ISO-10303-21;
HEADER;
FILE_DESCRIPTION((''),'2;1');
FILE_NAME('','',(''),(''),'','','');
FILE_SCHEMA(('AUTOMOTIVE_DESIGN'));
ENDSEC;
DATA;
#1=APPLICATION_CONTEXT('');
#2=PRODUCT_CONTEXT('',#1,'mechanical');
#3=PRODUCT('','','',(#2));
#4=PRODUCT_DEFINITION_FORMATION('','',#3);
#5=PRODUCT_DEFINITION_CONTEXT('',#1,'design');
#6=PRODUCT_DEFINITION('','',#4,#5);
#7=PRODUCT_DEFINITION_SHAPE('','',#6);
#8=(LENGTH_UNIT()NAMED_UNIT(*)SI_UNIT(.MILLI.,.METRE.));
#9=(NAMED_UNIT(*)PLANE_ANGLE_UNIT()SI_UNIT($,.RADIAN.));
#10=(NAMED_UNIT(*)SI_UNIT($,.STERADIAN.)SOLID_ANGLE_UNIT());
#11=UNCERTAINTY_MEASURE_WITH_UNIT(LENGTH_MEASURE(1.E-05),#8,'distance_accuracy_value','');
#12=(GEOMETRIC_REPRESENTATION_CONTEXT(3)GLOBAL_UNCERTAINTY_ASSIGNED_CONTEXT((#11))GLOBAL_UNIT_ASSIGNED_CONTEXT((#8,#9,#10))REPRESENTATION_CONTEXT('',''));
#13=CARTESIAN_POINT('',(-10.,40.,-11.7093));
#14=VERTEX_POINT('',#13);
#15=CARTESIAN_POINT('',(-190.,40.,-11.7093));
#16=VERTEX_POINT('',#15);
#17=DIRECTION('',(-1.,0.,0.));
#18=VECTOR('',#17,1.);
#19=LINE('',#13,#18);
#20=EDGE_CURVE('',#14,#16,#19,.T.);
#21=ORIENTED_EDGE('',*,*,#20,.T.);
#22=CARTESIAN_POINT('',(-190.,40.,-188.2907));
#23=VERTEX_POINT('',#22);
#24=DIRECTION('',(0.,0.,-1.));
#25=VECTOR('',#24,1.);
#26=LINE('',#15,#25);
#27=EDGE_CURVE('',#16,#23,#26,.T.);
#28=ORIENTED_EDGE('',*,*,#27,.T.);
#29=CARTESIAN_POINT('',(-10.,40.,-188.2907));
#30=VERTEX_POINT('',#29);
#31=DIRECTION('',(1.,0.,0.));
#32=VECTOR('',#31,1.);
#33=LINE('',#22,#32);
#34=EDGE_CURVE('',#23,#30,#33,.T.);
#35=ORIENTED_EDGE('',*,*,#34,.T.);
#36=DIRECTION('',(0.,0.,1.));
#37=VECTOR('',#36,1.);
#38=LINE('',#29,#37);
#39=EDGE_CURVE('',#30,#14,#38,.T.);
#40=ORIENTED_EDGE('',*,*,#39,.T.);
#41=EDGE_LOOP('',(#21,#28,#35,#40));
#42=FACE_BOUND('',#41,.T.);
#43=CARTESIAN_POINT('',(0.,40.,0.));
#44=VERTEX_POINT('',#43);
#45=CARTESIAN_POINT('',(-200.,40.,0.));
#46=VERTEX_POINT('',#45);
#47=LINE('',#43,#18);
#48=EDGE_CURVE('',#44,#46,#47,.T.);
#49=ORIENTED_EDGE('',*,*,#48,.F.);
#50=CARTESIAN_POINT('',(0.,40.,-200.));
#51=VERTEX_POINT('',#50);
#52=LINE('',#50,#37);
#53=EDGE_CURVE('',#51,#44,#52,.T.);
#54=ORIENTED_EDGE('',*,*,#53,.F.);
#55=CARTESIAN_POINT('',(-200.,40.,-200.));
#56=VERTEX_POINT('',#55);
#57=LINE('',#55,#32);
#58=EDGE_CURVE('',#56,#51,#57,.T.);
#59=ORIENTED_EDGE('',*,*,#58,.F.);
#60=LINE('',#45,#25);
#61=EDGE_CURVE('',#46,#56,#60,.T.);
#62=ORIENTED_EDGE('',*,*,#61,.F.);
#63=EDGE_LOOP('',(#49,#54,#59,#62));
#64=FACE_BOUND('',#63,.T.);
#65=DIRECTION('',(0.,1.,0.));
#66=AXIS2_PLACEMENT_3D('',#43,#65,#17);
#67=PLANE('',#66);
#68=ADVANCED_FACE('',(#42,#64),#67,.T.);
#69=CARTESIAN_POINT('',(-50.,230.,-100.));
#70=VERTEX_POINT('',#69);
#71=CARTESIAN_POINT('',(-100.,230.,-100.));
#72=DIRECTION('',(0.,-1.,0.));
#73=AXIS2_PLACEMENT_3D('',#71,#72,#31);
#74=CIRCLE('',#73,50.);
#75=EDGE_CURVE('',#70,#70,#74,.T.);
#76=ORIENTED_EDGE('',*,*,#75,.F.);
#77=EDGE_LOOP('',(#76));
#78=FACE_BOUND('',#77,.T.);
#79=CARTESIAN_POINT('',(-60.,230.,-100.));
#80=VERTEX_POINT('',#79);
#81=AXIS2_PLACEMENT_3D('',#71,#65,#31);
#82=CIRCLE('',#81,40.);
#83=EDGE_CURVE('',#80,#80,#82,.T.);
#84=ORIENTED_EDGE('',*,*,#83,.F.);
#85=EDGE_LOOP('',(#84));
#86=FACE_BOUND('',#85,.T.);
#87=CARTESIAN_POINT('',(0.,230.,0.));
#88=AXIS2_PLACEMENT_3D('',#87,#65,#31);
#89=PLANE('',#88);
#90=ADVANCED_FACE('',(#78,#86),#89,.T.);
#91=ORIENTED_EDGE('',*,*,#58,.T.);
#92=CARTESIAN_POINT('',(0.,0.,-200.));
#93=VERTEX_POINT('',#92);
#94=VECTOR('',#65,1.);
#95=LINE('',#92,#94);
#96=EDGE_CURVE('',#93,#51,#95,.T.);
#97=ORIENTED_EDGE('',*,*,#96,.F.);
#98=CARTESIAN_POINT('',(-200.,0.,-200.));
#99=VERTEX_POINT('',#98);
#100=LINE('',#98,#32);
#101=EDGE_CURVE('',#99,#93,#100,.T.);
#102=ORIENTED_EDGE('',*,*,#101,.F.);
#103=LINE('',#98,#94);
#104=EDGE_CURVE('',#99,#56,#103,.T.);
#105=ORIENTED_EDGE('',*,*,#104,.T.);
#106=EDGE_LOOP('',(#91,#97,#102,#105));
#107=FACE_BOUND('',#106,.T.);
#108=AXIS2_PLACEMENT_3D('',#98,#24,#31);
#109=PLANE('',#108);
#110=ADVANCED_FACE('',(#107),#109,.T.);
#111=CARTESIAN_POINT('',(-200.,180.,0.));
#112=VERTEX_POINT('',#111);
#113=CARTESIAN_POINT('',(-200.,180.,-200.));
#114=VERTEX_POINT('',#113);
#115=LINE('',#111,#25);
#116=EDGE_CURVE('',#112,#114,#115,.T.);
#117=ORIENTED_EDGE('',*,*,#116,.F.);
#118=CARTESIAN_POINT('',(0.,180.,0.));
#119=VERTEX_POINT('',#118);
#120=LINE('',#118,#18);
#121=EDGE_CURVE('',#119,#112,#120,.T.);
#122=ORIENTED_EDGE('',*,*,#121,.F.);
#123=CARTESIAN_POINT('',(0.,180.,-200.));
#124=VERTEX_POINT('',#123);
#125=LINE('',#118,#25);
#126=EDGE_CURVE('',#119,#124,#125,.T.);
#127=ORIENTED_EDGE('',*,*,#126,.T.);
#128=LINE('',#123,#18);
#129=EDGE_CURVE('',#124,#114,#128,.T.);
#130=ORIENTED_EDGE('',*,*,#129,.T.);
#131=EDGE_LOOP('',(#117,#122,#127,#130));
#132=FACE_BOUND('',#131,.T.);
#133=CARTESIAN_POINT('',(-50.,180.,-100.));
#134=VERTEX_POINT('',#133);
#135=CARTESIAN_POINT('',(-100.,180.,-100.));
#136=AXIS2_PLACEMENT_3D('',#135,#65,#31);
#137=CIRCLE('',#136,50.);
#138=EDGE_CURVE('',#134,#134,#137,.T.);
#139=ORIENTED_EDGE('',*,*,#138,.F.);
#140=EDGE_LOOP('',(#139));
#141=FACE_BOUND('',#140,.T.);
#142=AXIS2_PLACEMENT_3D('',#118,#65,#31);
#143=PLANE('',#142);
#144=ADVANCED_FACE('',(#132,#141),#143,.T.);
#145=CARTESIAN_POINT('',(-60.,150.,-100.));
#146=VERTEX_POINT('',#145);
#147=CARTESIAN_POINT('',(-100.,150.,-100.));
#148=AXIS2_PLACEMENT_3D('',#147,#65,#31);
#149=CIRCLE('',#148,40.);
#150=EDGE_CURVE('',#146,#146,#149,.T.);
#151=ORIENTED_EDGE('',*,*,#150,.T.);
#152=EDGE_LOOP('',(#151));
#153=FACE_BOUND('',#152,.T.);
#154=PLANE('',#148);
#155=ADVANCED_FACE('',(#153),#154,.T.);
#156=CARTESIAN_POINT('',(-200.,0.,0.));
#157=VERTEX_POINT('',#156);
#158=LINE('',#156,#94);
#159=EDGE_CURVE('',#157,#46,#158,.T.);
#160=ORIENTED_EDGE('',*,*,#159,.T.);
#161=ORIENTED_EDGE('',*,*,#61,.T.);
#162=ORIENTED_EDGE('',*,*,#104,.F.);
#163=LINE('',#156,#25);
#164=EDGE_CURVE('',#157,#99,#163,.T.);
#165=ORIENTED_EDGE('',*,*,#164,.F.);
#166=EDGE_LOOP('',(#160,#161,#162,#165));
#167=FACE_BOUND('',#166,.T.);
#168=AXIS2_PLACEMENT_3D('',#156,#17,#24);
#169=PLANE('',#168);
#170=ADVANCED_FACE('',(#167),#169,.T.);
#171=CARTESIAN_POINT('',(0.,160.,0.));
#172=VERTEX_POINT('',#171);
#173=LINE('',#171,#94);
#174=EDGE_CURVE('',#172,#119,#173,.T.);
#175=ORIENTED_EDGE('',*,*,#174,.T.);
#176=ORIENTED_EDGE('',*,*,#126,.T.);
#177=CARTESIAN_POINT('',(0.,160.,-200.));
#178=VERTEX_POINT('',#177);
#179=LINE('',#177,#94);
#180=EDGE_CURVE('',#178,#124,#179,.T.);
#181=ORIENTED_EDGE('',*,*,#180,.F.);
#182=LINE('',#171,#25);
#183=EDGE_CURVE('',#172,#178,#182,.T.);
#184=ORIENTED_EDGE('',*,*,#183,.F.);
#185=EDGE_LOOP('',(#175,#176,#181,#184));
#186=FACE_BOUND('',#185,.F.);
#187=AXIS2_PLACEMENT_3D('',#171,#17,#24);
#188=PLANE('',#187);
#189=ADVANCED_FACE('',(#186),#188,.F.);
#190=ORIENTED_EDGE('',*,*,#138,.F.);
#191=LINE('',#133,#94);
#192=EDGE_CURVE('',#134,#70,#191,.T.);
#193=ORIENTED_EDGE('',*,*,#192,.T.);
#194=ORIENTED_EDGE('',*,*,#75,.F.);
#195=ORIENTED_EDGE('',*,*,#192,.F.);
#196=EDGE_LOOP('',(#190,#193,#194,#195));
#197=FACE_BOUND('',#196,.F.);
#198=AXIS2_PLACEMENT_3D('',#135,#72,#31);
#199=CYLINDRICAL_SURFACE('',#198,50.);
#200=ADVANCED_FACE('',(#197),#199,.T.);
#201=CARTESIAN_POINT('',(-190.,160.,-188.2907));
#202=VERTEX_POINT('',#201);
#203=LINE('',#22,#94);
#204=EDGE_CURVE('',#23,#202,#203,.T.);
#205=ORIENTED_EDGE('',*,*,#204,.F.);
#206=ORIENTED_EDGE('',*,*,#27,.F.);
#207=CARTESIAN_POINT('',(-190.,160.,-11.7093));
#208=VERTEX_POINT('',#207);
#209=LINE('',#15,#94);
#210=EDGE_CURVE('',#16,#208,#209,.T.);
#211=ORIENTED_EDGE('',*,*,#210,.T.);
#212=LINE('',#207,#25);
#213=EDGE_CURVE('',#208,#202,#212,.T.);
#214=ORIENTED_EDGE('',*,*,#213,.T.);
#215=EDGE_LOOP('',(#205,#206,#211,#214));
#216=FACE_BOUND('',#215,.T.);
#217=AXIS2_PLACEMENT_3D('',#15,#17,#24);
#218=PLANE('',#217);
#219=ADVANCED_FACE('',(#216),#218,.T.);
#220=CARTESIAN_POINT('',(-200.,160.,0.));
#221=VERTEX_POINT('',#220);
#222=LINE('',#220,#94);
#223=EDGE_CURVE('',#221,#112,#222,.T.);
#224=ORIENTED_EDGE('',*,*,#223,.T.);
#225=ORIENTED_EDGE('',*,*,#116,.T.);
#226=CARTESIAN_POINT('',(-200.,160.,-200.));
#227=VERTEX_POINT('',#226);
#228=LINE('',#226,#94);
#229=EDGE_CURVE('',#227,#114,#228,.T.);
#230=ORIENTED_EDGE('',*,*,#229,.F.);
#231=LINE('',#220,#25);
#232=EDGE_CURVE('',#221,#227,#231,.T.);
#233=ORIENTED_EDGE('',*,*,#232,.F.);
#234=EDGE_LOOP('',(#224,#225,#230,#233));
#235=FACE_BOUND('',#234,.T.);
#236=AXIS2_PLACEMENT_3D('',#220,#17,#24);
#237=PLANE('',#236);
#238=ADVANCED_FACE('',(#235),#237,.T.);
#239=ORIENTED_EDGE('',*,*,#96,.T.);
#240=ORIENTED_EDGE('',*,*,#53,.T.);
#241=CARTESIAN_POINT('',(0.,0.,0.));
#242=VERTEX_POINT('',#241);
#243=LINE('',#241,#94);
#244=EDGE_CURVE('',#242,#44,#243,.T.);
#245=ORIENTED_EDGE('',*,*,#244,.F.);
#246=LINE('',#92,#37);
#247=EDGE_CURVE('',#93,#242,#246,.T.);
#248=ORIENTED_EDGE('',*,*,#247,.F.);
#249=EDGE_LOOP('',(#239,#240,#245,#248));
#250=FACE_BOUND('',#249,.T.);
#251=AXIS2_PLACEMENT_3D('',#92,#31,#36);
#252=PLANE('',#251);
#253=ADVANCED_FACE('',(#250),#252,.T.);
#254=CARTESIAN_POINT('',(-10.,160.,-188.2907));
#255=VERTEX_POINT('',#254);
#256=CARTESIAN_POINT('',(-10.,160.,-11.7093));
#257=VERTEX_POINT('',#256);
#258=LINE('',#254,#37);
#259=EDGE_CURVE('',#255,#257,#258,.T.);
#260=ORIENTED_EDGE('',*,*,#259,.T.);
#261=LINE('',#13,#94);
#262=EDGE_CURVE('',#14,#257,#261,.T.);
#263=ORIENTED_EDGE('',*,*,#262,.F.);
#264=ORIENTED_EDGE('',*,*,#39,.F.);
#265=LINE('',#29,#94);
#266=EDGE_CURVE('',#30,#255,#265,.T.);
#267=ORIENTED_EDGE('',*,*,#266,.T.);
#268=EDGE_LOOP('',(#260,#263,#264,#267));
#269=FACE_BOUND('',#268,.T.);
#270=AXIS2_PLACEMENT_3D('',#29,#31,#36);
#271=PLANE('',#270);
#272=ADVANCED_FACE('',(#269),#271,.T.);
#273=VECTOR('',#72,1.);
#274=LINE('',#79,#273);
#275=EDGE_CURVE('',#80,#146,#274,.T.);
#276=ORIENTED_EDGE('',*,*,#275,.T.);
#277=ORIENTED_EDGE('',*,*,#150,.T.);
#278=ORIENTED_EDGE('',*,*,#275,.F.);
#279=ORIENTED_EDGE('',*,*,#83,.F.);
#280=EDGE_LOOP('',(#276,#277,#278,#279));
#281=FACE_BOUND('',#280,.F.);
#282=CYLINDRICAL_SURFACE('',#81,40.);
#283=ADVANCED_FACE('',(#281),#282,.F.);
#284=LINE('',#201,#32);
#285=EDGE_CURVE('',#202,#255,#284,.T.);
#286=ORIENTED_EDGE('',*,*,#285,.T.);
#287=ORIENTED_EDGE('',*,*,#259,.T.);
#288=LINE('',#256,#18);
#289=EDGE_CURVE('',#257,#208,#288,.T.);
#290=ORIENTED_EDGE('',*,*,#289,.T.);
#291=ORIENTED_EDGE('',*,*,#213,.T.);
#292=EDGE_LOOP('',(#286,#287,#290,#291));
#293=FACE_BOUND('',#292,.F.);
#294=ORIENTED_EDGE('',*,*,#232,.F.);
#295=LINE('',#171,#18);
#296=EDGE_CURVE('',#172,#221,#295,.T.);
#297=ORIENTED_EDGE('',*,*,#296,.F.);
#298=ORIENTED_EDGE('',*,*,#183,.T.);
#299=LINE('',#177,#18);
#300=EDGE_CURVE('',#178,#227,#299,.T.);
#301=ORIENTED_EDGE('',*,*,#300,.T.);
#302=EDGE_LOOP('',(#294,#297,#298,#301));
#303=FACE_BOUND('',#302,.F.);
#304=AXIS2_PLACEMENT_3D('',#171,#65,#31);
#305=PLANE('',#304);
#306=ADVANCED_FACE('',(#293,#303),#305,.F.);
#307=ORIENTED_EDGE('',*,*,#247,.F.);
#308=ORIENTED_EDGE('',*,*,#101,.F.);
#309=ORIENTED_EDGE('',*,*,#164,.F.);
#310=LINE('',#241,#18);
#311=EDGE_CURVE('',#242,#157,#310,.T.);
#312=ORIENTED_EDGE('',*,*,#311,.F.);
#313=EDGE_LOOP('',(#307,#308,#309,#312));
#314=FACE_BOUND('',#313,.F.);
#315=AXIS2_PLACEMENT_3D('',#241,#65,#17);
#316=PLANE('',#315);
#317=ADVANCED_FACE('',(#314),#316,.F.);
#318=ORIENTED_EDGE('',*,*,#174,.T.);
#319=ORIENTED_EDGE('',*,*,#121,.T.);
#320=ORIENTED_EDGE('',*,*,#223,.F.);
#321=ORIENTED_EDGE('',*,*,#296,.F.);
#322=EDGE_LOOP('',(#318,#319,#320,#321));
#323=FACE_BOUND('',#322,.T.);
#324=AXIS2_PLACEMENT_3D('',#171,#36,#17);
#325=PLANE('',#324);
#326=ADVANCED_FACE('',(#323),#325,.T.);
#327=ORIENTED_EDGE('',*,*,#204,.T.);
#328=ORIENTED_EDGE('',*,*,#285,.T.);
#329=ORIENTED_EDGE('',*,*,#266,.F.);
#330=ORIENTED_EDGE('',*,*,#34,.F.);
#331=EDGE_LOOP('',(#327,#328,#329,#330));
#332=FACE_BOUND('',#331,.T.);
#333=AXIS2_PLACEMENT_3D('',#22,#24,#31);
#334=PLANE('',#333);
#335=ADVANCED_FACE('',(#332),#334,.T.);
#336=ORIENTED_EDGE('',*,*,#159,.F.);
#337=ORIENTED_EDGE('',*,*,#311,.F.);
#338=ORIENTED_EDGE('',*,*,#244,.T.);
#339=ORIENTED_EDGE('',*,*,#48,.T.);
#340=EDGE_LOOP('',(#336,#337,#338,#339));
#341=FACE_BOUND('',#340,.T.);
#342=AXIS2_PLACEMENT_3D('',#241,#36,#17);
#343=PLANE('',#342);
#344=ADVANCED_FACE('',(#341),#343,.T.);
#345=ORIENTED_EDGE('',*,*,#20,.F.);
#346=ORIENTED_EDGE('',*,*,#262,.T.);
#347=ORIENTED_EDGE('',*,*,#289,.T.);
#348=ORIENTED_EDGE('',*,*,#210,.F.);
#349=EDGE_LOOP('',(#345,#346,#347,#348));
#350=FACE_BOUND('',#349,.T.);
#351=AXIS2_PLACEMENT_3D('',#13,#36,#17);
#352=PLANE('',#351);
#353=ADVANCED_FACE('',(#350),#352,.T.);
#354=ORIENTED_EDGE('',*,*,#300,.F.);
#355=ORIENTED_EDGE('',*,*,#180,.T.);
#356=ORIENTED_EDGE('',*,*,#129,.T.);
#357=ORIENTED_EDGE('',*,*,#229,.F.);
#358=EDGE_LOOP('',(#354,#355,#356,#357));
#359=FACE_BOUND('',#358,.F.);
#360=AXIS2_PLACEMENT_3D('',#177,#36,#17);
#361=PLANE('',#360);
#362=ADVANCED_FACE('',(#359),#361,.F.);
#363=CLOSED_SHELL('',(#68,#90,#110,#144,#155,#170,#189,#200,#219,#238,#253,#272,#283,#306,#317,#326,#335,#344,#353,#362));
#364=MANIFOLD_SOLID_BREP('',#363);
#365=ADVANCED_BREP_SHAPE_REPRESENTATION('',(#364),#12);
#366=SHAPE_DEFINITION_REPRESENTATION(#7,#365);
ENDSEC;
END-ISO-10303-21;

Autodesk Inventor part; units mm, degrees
ref_plane "YZ Plane" through (0, 0, 0) normal (1, 0, 0) x (0, 1, 0)
ref_plane "XZ Plane" through (0, 0, 0) normal (0, 1, 0) x (-1, 0, 0)
ref_plane "XY Plane" through (0, 0, 0) normal (0, 0, 1) x (1, 0, 0)
sketch "Sketch1" plane through (0, 0, 0) normal (0, 1, 0) x (-1, 0, 0)
  line L0 (0, 0) -> (200, 0)
  line L1 (200, 0) -> (200, -200)
  line L2 (200, -200) -> (0, -200)
  line L3 (0, -200) -> (0, 0)
  dimension "d0" = 200
  dimension "d1" = 200
extrude "Extrusion1" add sketch "Sketch1" along normal blind 40
sketch "Sketch2" plane through (0, 40, 0) normal (0, 1, 0) x (1, 0, 0)
  line L0 (0, 200) -> (-200, 200) projected
  line L1 (-200, 200) -> (-200, 0) projected
  line L2 (-200, 0) -> (0, 0) projected
  line L3 (0, 0) -> (0, 200) projected
  line L4 (-10, 11.7093) -> (-190, 11.7093)
  line L5 (-190, 11.7093) -> (-190, 188.2907)
  line L6 (-190, 188.2907) -> (-10, 188.2907)
  line L7 (-10, 188.2907) -> (-10, 11.7093)
  line L8 (-10, 11.7093) -> (-190, 188.2907) construction
  line L9 (-190, 11.7093) -> (-10, 188.2907) construction
  point P0 (-100, 100)
  dimension "d4" = 180
extrude "Extrusion2" add sketch "Sketch2" along normal blind 120 contours L4 L5 L6 L7
sketch "Sketch3" plane through (0, 160, 0) normal (0, 1, 0) x (1, 0, 0)
  line L0 (-10, 188.2907) -> (-190, 188.2907) projected
  line L1 (-190, 188.2907) -> (-190, 11.7093) projected
  line L2 (-190, 11.7093) -> (-10, 11.7093) projected
  line L3 (-10, 11.7093) -> (-10, 188.2907) projected
  line L4 (0, 0) -> (0, 200) projected
  line L5 (0, 200) -> (-200, 200) projected
  line L6 (0, 0) -> (-200, 0)
  line L7 (-200, 0) -> (-200, 200)
  line L8 (-200, 200) -> (0, 200)
  line L9 (0, 200) -> (0, 0)
extrude "Extrusion3" add sketch "Sketch3" along normal blind 20 contours L3 L2 L1 L0 | L6 L7 L5 L4
sketch "Sketch4" plane through (0, 180, 0) normal (0, 1, 0) x (1, 0, 0)
  line L0 (-200, 200) -> (-200, 0) projected
  line L1 (-200, 200) -> (0, 0)
  line L2 (0, 200) -> (-200, 200) projected
  line L3 (-200, 0) -> (0, 200)
  circle A0 centre (-100, 100) radius 50
  dimension "d9" = 100
extrude "Extrusion4" add sketch "Sketch4" along normal blind 50 contours A0 L3 L1 | L1 L3 A0 | L3 L1 A0 | L3 A0 L1
sketch "Sketch5" plane through (-100, 230, -100) normal (0, 1, 0) x (1, 0, 0)
  circle A0 centre (0, 0) radius 40
  point P0 (100, -100)
  dimension "d12" = 80
extrude "Extrusion5" cut sketch "Sketch5" against normal blind 80
properties part number "Camara"
